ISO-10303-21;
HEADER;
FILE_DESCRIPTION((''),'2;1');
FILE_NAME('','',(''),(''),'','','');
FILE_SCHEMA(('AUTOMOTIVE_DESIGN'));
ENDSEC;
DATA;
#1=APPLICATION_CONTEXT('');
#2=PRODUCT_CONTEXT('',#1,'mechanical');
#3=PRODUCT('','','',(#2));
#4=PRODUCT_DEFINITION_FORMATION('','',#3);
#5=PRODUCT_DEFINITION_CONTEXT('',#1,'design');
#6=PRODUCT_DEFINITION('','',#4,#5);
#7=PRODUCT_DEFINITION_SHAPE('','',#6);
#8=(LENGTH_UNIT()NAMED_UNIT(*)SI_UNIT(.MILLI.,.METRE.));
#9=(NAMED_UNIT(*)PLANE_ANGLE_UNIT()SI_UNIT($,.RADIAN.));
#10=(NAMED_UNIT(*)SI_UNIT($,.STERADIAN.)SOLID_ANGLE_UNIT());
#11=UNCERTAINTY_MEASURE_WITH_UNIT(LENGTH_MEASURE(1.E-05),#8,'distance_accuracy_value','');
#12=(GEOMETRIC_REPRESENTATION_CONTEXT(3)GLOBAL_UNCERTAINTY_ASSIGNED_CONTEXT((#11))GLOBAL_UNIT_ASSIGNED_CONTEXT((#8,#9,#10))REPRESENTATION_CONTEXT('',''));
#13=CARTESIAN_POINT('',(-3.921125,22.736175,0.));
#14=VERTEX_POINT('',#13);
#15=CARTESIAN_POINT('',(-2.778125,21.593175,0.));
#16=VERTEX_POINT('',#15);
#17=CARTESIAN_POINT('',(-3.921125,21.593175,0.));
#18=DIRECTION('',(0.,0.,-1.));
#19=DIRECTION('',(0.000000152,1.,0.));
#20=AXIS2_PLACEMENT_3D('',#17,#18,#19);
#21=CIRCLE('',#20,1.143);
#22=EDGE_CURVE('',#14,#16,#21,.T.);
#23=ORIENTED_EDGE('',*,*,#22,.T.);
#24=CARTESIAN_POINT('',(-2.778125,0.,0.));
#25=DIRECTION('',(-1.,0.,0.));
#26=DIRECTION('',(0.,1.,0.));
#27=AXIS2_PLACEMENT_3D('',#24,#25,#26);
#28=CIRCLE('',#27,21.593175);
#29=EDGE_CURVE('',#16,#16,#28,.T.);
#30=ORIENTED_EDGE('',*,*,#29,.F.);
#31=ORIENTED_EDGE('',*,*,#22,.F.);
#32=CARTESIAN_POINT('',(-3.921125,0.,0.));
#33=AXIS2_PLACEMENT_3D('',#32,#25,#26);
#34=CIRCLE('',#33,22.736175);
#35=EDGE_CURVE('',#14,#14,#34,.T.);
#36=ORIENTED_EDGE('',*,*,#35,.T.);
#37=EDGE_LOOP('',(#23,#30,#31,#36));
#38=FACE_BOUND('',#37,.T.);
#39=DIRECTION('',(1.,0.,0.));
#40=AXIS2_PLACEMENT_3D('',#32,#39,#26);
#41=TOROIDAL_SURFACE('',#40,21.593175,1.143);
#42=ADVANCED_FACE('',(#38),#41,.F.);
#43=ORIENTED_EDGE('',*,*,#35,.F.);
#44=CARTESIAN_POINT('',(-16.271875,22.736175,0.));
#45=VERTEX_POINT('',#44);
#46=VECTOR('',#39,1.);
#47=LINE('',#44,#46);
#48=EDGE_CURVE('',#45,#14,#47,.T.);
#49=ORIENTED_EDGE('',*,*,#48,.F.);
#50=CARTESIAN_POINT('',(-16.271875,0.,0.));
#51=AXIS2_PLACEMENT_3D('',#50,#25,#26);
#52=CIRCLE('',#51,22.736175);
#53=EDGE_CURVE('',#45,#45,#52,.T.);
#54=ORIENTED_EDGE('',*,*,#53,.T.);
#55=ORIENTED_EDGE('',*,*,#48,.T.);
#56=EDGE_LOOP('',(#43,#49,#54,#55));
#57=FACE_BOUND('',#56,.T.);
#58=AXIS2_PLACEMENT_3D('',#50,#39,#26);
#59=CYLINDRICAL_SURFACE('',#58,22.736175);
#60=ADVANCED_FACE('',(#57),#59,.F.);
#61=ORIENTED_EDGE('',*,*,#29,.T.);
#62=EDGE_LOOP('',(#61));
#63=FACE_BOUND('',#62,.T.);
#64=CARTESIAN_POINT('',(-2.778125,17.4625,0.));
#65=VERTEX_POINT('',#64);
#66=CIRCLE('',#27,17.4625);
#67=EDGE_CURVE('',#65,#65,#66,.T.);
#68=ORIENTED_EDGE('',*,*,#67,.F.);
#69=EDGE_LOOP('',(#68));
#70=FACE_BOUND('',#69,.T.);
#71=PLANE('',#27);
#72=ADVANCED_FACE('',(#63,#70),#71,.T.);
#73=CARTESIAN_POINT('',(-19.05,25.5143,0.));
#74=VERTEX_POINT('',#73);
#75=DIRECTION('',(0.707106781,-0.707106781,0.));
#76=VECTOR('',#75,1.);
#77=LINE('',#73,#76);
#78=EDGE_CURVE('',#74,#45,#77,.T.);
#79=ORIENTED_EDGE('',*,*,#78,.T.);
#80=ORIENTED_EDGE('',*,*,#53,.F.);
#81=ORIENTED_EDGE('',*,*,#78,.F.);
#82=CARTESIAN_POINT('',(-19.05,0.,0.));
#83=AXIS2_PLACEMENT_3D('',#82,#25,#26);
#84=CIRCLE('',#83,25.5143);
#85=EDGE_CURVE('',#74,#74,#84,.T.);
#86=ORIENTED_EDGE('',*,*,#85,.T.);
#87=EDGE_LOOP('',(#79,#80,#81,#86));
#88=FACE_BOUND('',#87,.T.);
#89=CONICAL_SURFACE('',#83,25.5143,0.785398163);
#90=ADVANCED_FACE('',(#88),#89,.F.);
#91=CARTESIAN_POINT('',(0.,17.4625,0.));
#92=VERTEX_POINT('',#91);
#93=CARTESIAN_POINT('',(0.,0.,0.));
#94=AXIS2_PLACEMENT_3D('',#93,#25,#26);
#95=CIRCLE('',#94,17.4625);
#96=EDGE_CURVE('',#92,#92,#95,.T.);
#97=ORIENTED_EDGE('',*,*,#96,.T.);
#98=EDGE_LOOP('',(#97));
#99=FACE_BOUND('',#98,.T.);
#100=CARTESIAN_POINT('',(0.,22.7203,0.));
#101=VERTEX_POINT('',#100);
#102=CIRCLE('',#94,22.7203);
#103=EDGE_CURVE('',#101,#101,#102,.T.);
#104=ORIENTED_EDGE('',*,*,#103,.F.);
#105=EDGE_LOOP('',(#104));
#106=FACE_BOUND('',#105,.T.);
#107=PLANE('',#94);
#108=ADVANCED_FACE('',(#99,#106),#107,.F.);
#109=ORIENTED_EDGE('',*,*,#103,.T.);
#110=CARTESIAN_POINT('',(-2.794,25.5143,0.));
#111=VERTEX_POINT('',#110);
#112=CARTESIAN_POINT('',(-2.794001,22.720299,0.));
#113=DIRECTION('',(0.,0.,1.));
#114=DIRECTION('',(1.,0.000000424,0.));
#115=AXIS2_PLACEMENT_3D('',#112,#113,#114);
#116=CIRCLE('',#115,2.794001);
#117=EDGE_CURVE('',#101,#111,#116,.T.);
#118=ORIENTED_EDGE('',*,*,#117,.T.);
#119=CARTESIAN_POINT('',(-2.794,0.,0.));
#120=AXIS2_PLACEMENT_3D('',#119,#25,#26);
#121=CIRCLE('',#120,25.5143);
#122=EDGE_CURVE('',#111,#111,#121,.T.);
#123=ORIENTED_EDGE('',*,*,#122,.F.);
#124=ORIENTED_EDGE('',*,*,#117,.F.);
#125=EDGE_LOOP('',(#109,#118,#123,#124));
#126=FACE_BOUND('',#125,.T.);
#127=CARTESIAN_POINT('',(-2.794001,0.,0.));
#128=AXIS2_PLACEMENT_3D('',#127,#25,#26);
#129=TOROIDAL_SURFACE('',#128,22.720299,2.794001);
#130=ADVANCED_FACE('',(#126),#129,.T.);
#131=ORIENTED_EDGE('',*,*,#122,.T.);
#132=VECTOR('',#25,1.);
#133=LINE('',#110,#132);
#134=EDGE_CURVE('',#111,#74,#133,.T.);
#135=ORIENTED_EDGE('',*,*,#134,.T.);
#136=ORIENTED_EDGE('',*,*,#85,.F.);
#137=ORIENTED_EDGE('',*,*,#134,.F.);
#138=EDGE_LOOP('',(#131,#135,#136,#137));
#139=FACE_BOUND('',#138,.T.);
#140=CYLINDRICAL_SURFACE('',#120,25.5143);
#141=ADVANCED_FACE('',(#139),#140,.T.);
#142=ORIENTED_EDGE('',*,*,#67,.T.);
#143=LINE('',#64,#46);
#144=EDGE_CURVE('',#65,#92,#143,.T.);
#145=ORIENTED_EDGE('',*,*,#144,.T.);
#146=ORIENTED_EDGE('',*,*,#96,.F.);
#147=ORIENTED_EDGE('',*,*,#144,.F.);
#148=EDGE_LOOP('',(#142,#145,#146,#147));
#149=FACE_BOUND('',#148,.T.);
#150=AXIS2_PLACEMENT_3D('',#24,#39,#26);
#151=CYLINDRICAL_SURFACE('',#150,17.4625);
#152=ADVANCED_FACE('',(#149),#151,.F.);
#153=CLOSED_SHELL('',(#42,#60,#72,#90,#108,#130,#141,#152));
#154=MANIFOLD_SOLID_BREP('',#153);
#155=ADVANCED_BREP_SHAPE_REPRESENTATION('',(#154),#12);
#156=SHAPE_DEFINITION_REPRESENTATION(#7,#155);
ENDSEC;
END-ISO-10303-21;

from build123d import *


with BuildPart() as f1:
    # F0 (on Top) → F1 (revolve)
    with BuildSketch(Plane.XY):
        with BuildLine():
            ThreePointArc((0, 22.7203), (-0.818344, 24.695956), (-2.794, 25.5143))
            Line((-2.794, 25.5143), (-19.05, 25.5143))
            Line((-19.05, 25.5143), (-16.271875, 22.736175))
            Line((-16.271875, 22.736175), (-3.921125, 22.736175))
            ThreePointArc((-3.921125, 22.736175), (-3.112902, 22.401398), (-2.778125, 21.593175))
            Line((-2.778125, 21.593175), (-2.778125, 17.4625))
            Line((-2.778125, 17.4625), (0, 17.4625))
            Line((0, 17.4625), (0, 22.7203))
        make_face()
    revolve(axis=Axis((-9.525, 0, 0), (-1, 0, 0)))


solid = f1.part
